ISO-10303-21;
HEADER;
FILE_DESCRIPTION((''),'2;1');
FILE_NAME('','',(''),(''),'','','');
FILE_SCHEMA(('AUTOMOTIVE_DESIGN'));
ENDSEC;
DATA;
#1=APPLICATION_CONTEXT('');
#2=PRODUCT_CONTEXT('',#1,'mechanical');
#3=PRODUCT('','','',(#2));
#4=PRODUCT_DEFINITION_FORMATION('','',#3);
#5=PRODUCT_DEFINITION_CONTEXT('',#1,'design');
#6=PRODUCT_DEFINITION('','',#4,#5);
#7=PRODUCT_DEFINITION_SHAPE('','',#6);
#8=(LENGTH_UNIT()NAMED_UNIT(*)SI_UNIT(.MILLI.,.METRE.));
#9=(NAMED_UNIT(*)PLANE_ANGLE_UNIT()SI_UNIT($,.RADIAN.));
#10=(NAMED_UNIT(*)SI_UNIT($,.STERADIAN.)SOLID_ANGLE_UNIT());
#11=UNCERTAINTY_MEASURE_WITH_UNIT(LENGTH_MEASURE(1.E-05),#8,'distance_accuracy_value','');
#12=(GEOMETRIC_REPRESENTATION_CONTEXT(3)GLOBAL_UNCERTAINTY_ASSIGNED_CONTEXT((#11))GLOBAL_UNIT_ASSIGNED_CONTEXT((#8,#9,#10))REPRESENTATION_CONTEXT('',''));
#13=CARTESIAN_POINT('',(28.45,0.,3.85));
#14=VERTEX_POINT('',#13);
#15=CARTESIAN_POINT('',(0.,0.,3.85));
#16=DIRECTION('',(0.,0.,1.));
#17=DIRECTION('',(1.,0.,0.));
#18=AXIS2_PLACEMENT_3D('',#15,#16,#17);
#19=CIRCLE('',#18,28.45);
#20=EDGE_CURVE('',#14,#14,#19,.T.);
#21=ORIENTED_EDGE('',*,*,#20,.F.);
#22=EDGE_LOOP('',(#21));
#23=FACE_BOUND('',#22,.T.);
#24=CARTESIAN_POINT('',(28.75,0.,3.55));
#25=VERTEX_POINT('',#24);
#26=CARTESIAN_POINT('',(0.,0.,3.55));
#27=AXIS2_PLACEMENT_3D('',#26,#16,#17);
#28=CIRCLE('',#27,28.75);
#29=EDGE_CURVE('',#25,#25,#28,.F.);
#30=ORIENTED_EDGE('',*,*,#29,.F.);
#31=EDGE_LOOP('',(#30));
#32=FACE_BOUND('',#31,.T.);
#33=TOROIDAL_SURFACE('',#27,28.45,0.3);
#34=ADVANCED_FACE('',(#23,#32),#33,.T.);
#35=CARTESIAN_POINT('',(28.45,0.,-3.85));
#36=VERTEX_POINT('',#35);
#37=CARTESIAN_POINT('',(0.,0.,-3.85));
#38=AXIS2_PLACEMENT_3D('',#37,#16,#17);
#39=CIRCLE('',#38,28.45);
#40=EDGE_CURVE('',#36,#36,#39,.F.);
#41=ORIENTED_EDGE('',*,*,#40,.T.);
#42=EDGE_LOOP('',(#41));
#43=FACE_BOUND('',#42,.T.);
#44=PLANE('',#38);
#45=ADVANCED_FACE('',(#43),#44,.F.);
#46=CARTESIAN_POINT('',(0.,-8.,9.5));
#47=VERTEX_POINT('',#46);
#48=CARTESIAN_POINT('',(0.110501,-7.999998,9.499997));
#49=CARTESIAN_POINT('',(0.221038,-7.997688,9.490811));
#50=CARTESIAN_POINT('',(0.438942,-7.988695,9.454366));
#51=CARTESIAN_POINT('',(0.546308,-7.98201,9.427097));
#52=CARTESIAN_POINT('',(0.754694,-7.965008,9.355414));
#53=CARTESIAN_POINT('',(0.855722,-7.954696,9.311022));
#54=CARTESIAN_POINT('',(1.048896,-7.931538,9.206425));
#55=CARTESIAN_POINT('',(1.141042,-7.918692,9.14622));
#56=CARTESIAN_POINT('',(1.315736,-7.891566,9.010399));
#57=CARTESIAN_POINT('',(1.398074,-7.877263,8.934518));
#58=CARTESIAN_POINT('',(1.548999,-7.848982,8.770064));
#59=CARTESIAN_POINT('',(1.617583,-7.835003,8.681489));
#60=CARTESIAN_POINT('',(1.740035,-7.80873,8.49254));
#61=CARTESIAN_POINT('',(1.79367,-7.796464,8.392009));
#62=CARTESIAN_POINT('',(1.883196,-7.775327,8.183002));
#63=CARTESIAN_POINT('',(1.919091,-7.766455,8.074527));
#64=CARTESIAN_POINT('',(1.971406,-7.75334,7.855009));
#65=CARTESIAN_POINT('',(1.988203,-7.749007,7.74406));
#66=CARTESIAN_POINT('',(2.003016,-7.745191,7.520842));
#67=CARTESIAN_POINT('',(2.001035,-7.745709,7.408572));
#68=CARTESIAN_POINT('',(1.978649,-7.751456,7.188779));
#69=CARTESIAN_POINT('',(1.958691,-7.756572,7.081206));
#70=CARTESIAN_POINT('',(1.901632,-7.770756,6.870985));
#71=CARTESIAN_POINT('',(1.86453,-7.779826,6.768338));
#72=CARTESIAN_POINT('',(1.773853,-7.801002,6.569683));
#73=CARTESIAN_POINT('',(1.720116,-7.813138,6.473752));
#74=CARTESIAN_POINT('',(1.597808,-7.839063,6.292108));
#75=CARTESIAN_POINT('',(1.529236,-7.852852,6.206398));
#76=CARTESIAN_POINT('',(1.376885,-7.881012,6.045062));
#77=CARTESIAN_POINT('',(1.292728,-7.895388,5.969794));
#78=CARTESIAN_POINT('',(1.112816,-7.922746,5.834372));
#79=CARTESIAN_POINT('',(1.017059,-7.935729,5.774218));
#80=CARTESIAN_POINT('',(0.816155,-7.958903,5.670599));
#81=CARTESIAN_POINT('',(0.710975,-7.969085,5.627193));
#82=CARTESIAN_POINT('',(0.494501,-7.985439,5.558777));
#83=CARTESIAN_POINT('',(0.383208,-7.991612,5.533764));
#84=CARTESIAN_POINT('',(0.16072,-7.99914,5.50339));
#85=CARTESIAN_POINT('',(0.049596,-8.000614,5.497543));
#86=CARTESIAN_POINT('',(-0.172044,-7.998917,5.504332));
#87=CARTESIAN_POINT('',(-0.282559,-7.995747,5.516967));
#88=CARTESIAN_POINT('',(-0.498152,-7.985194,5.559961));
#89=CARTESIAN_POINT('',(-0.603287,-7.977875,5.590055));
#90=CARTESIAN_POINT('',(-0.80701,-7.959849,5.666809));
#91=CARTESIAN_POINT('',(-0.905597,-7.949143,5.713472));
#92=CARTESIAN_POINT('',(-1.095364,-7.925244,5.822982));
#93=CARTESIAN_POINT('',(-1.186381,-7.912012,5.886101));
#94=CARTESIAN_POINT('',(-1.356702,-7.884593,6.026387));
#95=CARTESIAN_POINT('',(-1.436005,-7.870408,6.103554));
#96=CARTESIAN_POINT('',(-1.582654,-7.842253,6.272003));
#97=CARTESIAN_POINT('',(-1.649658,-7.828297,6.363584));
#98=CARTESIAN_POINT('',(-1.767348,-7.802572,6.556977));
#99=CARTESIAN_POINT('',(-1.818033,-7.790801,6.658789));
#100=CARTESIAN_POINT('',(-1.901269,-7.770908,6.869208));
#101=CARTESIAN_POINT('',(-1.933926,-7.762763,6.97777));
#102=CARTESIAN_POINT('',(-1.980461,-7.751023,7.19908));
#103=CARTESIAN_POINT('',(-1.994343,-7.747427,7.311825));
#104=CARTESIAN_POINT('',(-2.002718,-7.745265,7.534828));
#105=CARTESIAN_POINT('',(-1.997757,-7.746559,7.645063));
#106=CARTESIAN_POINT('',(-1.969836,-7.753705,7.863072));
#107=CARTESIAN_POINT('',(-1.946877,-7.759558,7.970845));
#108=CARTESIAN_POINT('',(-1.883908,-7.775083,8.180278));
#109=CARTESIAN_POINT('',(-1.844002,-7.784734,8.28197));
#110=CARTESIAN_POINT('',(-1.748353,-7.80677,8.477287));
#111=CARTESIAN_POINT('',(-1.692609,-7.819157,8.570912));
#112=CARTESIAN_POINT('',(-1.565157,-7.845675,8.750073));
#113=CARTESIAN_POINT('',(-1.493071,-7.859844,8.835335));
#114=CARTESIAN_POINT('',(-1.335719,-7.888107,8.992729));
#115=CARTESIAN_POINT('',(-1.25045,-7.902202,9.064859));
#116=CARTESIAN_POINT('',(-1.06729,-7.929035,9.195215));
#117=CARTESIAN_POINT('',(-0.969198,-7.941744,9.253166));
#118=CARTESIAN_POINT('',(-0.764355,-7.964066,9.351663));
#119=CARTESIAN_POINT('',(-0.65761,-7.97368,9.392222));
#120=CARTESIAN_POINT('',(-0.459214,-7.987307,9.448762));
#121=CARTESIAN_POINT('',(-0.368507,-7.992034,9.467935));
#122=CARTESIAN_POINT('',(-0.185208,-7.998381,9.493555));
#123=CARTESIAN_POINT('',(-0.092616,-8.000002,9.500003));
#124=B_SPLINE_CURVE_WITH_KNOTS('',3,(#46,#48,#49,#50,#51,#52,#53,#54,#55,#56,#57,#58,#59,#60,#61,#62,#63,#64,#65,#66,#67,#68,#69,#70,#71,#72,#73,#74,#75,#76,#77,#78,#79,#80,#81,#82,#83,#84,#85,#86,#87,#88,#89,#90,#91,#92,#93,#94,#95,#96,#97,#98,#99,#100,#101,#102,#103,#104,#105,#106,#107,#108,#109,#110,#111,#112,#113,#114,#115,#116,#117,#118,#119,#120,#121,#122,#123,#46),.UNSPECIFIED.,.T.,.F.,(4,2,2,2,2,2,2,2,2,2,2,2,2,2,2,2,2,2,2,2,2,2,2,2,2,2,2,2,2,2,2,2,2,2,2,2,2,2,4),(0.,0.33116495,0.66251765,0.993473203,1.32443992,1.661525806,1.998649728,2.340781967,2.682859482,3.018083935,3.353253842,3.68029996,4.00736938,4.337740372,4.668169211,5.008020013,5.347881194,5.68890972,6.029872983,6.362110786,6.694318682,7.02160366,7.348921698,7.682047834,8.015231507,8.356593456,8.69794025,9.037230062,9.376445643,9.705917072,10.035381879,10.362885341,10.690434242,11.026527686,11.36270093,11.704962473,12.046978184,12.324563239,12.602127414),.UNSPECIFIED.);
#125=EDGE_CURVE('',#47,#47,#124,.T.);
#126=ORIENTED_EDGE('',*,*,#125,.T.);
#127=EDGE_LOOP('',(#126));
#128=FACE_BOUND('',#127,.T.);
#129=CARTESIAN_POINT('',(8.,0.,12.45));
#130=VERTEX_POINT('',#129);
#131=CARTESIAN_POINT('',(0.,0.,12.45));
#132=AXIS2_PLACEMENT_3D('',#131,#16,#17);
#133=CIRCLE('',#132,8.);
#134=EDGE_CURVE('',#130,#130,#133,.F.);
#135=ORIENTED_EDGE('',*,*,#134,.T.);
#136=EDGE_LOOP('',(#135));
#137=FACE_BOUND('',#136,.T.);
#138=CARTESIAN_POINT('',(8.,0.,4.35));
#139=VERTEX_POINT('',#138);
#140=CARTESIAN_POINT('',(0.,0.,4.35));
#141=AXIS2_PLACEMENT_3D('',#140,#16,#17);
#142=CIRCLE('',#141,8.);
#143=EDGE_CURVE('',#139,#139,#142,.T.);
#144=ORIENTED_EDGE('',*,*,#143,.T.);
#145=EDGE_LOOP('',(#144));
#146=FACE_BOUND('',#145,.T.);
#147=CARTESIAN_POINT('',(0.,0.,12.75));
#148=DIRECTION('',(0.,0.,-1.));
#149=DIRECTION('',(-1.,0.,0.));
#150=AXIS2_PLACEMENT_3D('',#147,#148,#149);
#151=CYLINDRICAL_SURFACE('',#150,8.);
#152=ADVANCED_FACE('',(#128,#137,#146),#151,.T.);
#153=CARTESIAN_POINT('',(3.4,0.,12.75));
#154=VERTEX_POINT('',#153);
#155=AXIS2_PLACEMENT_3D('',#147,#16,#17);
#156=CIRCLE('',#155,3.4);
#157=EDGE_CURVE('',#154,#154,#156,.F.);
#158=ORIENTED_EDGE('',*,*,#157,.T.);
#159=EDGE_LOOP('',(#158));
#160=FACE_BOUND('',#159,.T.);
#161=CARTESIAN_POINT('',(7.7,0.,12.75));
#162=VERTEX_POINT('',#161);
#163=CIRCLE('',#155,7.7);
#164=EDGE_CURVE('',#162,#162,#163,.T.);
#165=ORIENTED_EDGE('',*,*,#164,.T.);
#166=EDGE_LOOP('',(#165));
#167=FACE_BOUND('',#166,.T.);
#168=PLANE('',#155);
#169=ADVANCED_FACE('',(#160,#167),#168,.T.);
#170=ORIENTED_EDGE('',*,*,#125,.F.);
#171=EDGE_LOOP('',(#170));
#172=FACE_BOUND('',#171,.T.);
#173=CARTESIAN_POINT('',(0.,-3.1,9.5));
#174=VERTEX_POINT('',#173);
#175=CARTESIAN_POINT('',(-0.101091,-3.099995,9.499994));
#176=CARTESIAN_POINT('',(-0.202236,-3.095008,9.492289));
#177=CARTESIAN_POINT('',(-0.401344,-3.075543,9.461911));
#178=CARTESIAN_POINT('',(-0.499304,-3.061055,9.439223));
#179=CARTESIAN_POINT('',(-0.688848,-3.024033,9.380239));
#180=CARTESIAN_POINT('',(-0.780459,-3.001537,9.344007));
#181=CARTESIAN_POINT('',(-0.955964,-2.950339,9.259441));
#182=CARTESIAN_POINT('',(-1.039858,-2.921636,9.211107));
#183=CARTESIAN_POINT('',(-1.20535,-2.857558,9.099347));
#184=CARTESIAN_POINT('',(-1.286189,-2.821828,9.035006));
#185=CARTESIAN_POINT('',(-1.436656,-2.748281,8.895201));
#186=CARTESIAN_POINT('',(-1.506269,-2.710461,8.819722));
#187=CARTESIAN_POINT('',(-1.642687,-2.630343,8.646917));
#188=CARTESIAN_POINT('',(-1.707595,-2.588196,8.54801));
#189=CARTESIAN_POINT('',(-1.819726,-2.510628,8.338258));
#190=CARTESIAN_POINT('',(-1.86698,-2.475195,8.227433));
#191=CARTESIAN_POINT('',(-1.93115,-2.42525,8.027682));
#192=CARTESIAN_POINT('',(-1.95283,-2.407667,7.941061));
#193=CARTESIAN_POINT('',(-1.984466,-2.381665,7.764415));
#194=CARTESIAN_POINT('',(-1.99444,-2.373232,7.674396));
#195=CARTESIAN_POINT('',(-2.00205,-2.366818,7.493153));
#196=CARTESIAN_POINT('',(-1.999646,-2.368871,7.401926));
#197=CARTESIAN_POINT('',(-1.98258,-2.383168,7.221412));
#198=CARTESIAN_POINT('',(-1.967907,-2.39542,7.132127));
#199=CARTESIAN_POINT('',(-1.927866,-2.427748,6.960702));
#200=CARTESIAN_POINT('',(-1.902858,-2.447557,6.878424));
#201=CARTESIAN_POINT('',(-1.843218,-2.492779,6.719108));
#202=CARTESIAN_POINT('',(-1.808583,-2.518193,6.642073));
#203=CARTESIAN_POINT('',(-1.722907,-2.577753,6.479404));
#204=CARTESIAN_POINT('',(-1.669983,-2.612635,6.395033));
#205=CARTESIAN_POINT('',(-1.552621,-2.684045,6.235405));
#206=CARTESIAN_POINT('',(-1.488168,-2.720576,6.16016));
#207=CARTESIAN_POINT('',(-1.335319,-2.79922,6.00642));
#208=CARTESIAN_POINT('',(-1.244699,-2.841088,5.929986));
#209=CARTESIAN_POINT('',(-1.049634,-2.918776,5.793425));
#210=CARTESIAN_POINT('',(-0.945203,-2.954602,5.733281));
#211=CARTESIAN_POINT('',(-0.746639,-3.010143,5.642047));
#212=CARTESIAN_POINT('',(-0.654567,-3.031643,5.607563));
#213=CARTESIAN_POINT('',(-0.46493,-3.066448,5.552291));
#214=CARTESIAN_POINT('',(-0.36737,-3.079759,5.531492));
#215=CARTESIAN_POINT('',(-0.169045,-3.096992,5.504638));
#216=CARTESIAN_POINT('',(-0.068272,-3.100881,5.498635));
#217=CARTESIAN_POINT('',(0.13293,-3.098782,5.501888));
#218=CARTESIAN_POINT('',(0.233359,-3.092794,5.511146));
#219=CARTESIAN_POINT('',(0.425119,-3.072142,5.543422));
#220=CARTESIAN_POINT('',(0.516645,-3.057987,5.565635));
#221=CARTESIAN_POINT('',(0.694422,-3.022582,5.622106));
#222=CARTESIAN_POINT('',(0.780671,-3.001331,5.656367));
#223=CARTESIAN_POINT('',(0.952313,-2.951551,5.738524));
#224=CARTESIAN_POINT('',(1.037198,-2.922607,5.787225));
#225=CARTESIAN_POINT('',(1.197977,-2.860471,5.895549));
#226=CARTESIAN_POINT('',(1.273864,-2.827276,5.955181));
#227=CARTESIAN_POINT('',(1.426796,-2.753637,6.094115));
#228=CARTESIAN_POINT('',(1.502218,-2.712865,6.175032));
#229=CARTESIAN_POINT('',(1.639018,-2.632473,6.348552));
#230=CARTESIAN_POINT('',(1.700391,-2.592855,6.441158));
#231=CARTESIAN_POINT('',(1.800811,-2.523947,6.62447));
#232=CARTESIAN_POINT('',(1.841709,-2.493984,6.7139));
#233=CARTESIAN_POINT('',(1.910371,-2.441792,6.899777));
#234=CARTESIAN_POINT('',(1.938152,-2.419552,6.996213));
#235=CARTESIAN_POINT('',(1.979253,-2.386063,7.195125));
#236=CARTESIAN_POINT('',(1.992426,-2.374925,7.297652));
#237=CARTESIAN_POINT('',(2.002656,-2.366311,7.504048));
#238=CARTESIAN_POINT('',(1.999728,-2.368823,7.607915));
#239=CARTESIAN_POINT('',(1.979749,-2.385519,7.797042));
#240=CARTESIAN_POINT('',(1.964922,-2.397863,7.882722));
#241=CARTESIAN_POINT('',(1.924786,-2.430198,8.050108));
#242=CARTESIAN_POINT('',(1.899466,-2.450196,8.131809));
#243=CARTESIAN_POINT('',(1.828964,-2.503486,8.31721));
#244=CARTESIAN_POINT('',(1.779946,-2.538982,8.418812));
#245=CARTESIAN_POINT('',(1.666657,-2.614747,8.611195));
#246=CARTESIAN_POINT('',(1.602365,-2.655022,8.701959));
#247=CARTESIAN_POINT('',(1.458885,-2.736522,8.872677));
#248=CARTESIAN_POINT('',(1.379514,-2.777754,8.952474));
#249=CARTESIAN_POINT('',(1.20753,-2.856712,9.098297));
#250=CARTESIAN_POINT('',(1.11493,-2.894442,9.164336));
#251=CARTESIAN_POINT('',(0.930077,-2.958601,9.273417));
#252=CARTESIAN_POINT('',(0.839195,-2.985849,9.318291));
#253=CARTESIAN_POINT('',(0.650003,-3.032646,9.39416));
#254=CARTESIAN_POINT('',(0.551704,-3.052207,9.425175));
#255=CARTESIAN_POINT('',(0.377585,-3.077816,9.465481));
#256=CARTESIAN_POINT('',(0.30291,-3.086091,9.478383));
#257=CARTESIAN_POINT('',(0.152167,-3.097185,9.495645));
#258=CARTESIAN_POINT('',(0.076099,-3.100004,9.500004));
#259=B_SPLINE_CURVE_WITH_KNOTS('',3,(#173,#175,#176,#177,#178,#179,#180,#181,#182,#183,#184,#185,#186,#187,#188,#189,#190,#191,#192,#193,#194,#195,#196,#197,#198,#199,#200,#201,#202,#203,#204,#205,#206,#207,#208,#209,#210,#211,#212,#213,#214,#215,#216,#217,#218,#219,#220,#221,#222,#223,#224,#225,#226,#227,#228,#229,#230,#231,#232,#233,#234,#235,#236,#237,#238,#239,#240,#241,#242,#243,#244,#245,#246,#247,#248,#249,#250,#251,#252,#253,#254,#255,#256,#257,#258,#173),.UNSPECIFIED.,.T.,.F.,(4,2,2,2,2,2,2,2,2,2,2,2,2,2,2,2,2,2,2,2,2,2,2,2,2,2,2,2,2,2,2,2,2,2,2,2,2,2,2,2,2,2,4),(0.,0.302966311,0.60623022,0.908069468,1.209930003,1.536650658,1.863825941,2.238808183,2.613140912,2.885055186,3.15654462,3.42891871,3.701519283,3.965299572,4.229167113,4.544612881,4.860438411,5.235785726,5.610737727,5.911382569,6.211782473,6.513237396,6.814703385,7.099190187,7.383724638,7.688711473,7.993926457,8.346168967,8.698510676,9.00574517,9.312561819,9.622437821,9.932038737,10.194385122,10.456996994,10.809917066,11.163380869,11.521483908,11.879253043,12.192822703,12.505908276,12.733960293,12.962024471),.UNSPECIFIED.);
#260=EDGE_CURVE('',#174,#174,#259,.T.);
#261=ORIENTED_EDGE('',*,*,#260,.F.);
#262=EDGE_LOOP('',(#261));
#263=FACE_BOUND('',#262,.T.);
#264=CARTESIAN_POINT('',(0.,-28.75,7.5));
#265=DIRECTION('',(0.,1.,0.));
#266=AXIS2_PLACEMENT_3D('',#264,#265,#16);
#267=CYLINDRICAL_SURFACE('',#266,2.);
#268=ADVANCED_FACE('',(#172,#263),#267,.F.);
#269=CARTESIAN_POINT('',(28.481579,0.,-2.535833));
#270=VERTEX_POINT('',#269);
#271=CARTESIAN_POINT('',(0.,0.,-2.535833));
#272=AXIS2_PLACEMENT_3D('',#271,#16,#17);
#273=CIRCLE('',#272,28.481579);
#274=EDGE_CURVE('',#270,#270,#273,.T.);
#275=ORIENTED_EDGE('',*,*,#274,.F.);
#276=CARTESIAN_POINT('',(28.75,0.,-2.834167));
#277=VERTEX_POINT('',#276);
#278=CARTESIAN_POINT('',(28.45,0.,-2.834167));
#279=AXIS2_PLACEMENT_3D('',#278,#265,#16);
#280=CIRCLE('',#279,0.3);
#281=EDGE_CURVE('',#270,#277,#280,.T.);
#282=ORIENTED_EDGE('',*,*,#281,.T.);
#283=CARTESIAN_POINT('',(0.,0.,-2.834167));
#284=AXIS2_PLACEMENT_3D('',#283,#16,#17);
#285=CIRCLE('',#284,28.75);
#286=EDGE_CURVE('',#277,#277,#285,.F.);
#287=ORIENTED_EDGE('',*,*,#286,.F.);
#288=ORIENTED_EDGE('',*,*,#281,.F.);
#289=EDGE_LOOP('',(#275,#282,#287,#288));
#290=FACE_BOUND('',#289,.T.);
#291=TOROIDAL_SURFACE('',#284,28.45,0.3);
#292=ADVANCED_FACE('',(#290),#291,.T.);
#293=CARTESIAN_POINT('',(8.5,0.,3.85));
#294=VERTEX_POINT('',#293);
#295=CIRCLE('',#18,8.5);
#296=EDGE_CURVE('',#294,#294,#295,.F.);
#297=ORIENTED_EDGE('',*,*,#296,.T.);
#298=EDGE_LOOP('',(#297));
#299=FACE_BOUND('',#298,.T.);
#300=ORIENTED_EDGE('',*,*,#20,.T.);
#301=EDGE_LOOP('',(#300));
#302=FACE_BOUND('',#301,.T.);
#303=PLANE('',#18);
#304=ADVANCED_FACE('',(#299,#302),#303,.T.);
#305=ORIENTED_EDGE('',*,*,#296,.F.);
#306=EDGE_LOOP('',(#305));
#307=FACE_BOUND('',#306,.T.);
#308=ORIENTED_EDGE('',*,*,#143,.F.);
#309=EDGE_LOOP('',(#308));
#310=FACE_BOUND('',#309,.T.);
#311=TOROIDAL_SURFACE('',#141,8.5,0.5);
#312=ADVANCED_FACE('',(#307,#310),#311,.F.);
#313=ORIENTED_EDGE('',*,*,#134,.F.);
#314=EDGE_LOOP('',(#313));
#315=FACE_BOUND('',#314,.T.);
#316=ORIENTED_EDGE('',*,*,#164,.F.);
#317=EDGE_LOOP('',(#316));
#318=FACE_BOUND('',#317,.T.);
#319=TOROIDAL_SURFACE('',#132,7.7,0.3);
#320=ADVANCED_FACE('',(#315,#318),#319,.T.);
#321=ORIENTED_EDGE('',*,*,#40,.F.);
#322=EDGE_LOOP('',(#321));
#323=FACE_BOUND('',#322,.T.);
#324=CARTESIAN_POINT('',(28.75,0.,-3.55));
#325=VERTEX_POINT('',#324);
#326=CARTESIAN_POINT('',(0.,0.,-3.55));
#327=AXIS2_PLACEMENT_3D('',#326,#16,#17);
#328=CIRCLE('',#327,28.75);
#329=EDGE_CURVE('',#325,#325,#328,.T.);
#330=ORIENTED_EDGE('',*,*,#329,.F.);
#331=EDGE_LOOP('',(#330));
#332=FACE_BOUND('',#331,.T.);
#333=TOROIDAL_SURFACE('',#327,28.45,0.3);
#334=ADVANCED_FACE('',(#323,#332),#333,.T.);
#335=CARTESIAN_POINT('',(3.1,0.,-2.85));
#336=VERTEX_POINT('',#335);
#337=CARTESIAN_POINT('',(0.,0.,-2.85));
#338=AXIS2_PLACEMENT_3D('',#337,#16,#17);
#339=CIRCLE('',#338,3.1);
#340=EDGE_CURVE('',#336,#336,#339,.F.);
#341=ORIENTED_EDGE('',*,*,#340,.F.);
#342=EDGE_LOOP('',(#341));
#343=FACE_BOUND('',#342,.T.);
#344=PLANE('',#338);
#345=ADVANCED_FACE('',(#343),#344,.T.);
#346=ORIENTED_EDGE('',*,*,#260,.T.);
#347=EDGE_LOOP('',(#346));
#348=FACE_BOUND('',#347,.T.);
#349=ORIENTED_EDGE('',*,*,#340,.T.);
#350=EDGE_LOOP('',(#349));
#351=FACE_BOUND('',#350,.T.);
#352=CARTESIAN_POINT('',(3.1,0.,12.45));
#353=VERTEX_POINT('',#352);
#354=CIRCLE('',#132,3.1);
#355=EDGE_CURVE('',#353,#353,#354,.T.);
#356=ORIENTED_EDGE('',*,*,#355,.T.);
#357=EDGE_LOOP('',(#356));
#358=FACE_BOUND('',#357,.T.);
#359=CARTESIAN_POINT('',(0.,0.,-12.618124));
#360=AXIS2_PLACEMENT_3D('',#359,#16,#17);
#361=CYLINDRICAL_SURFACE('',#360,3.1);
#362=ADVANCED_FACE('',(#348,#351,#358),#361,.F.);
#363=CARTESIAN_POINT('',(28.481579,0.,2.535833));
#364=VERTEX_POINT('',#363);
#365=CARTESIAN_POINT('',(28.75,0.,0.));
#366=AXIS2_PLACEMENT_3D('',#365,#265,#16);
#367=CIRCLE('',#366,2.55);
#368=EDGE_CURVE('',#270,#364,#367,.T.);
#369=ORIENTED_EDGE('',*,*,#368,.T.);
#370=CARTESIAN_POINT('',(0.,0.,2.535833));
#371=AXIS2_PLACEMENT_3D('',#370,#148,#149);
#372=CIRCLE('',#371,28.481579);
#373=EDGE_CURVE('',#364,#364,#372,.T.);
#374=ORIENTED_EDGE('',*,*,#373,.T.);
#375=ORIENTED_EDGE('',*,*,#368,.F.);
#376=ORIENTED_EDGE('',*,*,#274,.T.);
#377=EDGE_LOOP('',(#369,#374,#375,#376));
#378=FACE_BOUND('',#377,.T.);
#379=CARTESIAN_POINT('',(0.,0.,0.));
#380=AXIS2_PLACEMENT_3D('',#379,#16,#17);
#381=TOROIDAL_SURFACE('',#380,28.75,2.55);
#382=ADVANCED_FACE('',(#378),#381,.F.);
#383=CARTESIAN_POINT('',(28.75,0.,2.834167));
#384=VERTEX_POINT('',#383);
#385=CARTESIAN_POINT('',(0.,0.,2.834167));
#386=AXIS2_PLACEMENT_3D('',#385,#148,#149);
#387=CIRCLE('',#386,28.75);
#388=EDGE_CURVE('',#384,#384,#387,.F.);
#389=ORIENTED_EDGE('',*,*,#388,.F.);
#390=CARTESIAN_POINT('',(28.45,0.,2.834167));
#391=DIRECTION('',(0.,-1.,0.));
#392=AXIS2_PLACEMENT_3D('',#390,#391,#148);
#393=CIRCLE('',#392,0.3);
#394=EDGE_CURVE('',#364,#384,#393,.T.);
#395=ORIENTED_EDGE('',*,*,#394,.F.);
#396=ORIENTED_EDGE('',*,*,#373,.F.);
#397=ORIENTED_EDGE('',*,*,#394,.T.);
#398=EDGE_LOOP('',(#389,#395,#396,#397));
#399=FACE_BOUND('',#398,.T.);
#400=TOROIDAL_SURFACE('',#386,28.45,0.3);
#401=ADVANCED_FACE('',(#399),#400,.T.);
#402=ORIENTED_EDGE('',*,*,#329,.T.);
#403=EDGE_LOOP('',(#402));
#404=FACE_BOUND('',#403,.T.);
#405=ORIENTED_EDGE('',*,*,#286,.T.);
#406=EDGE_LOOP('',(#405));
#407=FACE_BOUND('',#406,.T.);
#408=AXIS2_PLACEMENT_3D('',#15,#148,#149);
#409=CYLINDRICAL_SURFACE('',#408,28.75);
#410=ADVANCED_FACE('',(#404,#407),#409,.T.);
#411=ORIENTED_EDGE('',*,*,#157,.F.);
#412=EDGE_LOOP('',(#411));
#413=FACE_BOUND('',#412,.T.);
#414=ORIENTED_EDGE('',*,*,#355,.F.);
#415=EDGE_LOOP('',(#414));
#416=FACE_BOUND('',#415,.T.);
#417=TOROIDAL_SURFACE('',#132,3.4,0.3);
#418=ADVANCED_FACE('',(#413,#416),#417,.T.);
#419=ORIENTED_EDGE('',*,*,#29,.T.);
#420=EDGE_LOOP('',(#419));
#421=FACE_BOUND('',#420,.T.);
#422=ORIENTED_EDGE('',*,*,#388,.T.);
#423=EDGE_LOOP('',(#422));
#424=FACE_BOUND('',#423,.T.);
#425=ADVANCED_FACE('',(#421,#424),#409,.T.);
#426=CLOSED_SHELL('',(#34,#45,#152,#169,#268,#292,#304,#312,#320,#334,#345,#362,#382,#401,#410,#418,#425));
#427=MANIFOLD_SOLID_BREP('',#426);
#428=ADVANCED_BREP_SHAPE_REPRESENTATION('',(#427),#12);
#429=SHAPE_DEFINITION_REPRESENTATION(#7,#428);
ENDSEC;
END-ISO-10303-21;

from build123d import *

# Parameters (mm, degrees)
SKETCH1_R           = 28.75
BOSS_EXTRUDE1_DEPTH = 3.85
SKETCH2_R           = 2.55
SKETCH4_R           = 8
BOSS_EXTRUDE2_DEPTH = 8.9
SKETCH5_R           = 3.1
CUT_EXTRUDE1_DEPTH  = 15.6
SKETCH6_R           = 2
CUT_EXTRUDE2_DEPTH  = 43.61088476
FILLET1_R           = 0.5
FILLET2_R           = 0.3


with BuildPart() as part:
    # Sketch1 → Boss-Extrude1 (new, symmetric)
    with BuildSketch(Plane.XY):
        with Locations(Location((0, 0, 0), (0, 0, 180))):
            Circle(SKETCH1_R)
    extrude(amount=BOSS_EXTRUDE1_DEPTH, both=True)

    # Cut-Sweep1: sweep along a curve in space
    with BuildLine() as cut_sweep1_path:
        ThreePointArc((28.75, 0, -3.85), (20.329319959, 20.329319959, -3.85), (0, 28.75, -3.85))
        ThreePointArc((0, 28.75, -3.85), (-20.329319959, 20.329319959, -3.85), (-28.75, 0, -3.85))
        ThreePointArc((-28.75, 0, -3.85), (-20.329319959, -20.329319959, -3.85), (0, -28.75, -3.85))
        ThreePointArc((0, -28.75, -3.85), (20.329319959, -20.329319959, -3.85), (28.75, 0, -3.85))
    # Sketch2 → Cut-Sweep1 (sweep, cut)
    with BuildSketch(Plane(origin=(0, 0, 0), x_dir=(1, 0, 0), z_dir=(0, 1, 0))):
        with Locations((28.75, 0)):
            Circle(SKETCH2_R)
    sweep(path=cut_sweep1_path.line, mode=Mode.SUBTRACT)

    # Sketch4 → Boss-Extrude2 (add)
    with BuildSketch(Plane.XY.offset(3.85)):
        Circle(SKETCH4_R)
    extrude(amount=BOSS_EXTRUDE2_DEPTH)

    # Sketch5 → Cut-Extrude1 (cut)
    with BuildSketch(Plane.XY.offset(12.75)):
        Circle(SKETCH5_R)
    extrude(amount=-CUT_EXTRUDE1_DEPTH, mode=Mode.SUBTRACT)

    # Sketch6 → Cut-Extrude2 (cut, through all)
    with BuildSketch(Plane(origin=(0, 0, 0), x_dir=(1, 0, 0), z_dir=(0, 1, 0))):
        with Locations(Location((0, -7.5, 0), (0, 0, 270))):
            Circle(SKETCH6_R)
    extrude(amount=-CUT_EXTRUDE2_DEPTH, mode=Mode.SUBTRACT)

    # Fillet1
    fillet1_edges = [part.edges().sort_by_distance(p)[0] for p in [
        (-8, 0, 3.85),
    ]]
    fillet(fillet1_edges, radius=FILLET1_R)

    # Fillet2
    fillet2_edges = [part.edges().sort_by_distance(p)[0] for p in [
        (-8, 0, 12.75),
        (-3.1, 0, 12.75),
        (28.75, 0, -3.85),
        (28.75, 0, 3.85),
        (20.329319959, 20.329319959, -2.55),
        (-20.329319959, 20.329319959, 2.55),
    ]]
    fillet(fillet2_edges, radius=FILLET2_R)


solid = part.part
